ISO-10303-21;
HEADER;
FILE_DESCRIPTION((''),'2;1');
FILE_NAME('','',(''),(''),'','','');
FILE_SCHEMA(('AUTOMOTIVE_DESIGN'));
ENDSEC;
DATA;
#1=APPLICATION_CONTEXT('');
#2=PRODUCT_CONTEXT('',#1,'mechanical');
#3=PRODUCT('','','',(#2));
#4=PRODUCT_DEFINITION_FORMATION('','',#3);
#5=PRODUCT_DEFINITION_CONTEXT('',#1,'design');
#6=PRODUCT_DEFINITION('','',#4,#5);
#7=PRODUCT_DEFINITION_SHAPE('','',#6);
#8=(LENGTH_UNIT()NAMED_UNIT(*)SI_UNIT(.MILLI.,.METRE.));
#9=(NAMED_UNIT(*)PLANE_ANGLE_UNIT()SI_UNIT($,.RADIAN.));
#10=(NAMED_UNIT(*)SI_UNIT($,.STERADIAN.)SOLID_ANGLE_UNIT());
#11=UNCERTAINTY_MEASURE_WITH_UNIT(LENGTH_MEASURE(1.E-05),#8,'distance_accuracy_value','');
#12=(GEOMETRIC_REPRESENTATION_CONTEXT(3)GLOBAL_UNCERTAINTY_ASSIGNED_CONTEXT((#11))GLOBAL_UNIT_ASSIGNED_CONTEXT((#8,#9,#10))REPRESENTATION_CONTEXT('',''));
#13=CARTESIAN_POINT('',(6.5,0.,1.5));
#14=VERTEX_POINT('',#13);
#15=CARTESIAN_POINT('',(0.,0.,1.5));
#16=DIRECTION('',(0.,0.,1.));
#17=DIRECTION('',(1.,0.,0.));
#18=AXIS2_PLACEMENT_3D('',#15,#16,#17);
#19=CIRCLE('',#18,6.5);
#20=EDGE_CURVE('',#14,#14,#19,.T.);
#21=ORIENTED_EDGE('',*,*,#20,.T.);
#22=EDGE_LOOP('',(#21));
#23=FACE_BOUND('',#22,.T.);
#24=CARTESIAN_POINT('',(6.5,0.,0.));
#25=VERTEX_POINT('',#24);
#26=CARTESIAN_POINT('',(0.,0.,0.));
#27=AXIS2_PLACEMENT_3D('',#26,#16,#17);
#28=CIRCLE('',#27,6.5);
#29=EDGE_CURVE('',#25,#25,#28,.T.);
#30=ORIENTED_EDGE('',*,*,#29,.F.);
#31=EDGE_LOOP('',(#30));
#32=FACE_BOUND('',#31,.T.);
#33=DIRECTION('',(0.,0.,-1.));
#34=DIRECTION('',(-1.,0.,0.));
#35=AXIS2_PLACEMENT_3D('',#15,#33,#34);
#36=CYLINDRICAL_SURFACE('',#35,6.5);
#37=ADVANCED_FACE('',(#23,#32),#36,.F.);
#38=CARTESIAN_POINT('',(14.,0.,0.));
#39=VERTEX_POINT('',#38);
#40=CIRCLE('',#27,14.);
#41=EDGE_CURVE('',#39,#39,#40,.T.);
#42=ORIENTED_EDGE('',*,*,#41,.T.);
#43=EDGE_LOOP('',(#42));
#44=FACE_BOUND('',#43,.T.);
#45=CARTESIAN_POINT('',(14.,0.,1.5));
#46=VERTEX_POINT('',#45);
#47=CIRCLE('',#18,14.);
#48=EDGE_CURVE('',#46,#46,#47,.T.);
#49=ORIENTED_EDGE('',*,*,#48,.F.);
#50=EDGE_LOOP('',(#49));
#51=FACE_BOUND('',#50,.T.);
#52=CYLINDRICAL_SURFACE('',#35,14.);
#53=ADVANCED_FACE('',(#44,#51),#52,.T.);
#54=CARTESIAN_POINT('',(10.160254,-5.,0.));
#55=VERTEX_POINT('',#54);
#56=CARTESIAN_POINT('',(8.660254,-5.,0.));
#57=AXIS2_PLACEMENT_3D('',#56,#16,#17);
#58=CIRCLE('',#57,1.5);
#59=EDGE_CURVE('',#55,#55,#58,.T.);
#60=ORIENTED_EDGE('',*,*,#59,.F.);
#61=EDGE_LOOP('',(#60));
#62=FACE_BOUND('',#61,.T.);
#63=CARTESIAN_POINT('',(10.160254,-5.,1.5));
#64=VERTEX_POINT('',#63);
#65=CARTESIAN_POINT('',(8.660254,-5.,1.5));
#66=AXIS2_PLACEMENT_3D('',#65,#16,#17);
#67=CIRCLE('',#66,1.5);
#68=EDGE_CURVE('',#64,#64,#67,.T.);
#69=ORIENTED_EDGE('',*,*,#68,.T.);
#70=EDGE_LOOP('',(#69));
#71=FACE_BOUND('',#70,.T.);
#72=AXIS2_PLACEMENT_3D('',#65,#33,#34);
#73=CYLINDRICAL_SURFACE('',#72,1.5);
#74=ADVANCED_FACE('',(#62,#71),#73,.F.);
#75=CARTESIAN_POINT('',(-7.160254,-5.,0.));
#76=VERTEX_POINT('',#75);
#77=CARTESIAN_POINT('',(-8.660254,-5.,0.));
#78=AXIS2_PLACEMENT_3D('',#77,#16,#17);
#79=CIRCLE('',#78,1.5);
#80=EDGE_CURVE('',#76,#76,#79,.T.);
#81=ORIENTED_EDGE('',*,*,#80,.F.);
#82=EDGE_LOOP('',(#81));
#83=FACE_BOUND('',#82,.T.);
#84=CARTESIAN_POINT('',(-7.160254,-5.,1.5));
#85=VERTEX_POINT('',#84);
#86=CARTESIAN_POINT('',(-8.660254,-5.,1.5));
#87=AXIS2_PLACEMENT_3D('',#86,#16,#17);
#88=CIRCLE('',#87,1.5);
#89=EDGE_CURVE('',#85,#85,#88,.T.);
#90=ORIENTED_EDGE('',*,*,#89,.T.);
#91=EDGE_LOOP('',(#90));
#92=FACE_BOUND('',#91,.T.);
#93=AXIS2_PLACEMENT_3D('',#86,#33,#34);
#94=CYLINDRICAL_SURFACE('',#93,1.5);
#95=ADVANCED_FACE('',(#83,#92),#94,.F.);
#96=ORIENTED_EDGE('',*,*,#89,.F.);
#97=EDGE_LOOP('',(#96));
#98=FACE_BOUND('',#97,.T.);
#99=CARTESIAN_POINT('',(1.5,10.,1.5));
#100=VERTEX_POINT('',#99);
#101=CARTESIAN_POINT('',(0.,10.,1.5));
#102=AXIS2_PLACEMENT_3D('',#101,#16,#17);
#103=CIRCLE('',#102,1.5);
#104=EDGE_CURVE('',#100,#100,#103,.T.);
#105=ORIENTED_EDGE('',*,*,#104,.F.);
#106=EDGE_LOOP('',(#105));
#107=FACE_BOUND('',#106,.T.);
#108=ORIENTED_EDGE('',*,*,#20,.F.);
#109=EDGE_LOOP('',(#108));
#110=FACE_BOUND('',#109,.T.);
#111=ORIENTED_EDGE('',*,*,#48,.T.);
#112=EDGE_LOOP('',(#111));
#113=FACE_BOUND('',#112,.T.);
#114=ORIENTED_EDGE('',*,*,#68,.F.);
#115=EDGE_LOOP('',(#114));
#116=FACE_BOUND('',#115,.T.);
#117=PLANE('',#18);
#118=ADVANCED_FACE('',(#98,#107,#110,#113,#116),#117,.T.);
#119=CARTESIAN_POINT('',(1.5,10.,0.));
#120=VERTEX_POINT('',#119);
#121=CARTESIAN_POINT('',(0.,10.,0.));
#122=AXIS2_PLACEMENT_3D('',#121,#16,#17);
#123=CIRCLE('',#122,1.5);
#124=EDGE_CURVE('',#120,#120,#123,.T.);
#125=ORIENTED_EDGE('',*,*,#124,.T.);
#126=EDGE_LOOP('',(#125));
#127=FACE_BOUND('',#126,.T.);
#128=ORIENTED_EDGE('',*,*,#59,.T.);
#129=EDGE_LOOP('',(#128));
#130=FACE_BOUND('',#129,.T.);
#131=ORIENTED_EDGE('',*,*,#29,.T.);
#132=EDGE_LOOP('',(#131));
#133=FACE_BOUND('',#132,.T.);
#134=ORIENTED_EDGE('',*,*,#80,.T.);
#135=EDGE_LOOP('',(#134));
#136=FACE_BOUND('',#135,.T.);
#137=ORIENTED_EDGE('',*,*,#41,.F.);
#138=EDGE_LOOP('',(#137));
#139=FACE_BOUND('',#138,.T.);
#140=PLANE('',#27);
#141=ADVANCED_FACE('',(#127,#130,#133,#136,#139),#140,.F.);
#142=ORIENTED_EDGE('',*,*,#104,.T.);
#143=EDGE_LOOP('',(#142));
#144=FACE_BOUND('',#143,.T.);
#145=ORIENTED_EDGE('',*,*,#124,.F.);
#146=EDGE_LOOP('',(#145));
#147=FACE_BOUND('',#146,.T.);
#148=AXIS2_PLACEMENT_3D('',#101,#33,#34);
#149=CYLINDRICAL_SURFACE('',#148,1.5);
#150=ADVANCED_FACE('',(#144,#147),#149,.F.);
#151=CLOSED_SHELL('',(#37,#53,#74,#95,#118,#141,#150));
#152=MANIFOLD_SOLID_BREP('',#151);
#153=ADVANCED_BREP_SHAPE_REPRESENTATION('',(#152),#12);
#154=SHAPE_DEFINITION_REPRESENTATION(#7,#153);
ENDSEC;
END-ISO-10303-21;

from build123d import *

# Parameters (mm, degrees)
ESBO_O1_R                = 14
ESBO_O1_R_2              = 1.5
ESBO_O1_R_3              = 6.5
RESSALTO_EXTRUS_O1_DEPTH = 1.5


with BuildPart() as part:
    # Esboço1 → Ressalto-extrusão1 (new body)
    with BuildSketch(Plane.XY):
        Circle(ESBO_O1_R)
        with Locations((-8.660254038, -5)):
            Circle(ESBO_O1_R_2, mode=Mode.SUBTRACT)
        with Locations((8.660254038, -5)):
            Circle(ESBO_O1_R_2, mode=Mode.SUBTRACT)
        with Locations((0, 10)):
            Circle(ESBO_O1_R_2, mode=Mode.SUBTRACT)
        Circle(ESBO_O1_R_3, mode=Mode.SUBTRACT)
    extrude(amount=RESSALTO_EXTRUS_O1_DEPTH)


solid = part.part
